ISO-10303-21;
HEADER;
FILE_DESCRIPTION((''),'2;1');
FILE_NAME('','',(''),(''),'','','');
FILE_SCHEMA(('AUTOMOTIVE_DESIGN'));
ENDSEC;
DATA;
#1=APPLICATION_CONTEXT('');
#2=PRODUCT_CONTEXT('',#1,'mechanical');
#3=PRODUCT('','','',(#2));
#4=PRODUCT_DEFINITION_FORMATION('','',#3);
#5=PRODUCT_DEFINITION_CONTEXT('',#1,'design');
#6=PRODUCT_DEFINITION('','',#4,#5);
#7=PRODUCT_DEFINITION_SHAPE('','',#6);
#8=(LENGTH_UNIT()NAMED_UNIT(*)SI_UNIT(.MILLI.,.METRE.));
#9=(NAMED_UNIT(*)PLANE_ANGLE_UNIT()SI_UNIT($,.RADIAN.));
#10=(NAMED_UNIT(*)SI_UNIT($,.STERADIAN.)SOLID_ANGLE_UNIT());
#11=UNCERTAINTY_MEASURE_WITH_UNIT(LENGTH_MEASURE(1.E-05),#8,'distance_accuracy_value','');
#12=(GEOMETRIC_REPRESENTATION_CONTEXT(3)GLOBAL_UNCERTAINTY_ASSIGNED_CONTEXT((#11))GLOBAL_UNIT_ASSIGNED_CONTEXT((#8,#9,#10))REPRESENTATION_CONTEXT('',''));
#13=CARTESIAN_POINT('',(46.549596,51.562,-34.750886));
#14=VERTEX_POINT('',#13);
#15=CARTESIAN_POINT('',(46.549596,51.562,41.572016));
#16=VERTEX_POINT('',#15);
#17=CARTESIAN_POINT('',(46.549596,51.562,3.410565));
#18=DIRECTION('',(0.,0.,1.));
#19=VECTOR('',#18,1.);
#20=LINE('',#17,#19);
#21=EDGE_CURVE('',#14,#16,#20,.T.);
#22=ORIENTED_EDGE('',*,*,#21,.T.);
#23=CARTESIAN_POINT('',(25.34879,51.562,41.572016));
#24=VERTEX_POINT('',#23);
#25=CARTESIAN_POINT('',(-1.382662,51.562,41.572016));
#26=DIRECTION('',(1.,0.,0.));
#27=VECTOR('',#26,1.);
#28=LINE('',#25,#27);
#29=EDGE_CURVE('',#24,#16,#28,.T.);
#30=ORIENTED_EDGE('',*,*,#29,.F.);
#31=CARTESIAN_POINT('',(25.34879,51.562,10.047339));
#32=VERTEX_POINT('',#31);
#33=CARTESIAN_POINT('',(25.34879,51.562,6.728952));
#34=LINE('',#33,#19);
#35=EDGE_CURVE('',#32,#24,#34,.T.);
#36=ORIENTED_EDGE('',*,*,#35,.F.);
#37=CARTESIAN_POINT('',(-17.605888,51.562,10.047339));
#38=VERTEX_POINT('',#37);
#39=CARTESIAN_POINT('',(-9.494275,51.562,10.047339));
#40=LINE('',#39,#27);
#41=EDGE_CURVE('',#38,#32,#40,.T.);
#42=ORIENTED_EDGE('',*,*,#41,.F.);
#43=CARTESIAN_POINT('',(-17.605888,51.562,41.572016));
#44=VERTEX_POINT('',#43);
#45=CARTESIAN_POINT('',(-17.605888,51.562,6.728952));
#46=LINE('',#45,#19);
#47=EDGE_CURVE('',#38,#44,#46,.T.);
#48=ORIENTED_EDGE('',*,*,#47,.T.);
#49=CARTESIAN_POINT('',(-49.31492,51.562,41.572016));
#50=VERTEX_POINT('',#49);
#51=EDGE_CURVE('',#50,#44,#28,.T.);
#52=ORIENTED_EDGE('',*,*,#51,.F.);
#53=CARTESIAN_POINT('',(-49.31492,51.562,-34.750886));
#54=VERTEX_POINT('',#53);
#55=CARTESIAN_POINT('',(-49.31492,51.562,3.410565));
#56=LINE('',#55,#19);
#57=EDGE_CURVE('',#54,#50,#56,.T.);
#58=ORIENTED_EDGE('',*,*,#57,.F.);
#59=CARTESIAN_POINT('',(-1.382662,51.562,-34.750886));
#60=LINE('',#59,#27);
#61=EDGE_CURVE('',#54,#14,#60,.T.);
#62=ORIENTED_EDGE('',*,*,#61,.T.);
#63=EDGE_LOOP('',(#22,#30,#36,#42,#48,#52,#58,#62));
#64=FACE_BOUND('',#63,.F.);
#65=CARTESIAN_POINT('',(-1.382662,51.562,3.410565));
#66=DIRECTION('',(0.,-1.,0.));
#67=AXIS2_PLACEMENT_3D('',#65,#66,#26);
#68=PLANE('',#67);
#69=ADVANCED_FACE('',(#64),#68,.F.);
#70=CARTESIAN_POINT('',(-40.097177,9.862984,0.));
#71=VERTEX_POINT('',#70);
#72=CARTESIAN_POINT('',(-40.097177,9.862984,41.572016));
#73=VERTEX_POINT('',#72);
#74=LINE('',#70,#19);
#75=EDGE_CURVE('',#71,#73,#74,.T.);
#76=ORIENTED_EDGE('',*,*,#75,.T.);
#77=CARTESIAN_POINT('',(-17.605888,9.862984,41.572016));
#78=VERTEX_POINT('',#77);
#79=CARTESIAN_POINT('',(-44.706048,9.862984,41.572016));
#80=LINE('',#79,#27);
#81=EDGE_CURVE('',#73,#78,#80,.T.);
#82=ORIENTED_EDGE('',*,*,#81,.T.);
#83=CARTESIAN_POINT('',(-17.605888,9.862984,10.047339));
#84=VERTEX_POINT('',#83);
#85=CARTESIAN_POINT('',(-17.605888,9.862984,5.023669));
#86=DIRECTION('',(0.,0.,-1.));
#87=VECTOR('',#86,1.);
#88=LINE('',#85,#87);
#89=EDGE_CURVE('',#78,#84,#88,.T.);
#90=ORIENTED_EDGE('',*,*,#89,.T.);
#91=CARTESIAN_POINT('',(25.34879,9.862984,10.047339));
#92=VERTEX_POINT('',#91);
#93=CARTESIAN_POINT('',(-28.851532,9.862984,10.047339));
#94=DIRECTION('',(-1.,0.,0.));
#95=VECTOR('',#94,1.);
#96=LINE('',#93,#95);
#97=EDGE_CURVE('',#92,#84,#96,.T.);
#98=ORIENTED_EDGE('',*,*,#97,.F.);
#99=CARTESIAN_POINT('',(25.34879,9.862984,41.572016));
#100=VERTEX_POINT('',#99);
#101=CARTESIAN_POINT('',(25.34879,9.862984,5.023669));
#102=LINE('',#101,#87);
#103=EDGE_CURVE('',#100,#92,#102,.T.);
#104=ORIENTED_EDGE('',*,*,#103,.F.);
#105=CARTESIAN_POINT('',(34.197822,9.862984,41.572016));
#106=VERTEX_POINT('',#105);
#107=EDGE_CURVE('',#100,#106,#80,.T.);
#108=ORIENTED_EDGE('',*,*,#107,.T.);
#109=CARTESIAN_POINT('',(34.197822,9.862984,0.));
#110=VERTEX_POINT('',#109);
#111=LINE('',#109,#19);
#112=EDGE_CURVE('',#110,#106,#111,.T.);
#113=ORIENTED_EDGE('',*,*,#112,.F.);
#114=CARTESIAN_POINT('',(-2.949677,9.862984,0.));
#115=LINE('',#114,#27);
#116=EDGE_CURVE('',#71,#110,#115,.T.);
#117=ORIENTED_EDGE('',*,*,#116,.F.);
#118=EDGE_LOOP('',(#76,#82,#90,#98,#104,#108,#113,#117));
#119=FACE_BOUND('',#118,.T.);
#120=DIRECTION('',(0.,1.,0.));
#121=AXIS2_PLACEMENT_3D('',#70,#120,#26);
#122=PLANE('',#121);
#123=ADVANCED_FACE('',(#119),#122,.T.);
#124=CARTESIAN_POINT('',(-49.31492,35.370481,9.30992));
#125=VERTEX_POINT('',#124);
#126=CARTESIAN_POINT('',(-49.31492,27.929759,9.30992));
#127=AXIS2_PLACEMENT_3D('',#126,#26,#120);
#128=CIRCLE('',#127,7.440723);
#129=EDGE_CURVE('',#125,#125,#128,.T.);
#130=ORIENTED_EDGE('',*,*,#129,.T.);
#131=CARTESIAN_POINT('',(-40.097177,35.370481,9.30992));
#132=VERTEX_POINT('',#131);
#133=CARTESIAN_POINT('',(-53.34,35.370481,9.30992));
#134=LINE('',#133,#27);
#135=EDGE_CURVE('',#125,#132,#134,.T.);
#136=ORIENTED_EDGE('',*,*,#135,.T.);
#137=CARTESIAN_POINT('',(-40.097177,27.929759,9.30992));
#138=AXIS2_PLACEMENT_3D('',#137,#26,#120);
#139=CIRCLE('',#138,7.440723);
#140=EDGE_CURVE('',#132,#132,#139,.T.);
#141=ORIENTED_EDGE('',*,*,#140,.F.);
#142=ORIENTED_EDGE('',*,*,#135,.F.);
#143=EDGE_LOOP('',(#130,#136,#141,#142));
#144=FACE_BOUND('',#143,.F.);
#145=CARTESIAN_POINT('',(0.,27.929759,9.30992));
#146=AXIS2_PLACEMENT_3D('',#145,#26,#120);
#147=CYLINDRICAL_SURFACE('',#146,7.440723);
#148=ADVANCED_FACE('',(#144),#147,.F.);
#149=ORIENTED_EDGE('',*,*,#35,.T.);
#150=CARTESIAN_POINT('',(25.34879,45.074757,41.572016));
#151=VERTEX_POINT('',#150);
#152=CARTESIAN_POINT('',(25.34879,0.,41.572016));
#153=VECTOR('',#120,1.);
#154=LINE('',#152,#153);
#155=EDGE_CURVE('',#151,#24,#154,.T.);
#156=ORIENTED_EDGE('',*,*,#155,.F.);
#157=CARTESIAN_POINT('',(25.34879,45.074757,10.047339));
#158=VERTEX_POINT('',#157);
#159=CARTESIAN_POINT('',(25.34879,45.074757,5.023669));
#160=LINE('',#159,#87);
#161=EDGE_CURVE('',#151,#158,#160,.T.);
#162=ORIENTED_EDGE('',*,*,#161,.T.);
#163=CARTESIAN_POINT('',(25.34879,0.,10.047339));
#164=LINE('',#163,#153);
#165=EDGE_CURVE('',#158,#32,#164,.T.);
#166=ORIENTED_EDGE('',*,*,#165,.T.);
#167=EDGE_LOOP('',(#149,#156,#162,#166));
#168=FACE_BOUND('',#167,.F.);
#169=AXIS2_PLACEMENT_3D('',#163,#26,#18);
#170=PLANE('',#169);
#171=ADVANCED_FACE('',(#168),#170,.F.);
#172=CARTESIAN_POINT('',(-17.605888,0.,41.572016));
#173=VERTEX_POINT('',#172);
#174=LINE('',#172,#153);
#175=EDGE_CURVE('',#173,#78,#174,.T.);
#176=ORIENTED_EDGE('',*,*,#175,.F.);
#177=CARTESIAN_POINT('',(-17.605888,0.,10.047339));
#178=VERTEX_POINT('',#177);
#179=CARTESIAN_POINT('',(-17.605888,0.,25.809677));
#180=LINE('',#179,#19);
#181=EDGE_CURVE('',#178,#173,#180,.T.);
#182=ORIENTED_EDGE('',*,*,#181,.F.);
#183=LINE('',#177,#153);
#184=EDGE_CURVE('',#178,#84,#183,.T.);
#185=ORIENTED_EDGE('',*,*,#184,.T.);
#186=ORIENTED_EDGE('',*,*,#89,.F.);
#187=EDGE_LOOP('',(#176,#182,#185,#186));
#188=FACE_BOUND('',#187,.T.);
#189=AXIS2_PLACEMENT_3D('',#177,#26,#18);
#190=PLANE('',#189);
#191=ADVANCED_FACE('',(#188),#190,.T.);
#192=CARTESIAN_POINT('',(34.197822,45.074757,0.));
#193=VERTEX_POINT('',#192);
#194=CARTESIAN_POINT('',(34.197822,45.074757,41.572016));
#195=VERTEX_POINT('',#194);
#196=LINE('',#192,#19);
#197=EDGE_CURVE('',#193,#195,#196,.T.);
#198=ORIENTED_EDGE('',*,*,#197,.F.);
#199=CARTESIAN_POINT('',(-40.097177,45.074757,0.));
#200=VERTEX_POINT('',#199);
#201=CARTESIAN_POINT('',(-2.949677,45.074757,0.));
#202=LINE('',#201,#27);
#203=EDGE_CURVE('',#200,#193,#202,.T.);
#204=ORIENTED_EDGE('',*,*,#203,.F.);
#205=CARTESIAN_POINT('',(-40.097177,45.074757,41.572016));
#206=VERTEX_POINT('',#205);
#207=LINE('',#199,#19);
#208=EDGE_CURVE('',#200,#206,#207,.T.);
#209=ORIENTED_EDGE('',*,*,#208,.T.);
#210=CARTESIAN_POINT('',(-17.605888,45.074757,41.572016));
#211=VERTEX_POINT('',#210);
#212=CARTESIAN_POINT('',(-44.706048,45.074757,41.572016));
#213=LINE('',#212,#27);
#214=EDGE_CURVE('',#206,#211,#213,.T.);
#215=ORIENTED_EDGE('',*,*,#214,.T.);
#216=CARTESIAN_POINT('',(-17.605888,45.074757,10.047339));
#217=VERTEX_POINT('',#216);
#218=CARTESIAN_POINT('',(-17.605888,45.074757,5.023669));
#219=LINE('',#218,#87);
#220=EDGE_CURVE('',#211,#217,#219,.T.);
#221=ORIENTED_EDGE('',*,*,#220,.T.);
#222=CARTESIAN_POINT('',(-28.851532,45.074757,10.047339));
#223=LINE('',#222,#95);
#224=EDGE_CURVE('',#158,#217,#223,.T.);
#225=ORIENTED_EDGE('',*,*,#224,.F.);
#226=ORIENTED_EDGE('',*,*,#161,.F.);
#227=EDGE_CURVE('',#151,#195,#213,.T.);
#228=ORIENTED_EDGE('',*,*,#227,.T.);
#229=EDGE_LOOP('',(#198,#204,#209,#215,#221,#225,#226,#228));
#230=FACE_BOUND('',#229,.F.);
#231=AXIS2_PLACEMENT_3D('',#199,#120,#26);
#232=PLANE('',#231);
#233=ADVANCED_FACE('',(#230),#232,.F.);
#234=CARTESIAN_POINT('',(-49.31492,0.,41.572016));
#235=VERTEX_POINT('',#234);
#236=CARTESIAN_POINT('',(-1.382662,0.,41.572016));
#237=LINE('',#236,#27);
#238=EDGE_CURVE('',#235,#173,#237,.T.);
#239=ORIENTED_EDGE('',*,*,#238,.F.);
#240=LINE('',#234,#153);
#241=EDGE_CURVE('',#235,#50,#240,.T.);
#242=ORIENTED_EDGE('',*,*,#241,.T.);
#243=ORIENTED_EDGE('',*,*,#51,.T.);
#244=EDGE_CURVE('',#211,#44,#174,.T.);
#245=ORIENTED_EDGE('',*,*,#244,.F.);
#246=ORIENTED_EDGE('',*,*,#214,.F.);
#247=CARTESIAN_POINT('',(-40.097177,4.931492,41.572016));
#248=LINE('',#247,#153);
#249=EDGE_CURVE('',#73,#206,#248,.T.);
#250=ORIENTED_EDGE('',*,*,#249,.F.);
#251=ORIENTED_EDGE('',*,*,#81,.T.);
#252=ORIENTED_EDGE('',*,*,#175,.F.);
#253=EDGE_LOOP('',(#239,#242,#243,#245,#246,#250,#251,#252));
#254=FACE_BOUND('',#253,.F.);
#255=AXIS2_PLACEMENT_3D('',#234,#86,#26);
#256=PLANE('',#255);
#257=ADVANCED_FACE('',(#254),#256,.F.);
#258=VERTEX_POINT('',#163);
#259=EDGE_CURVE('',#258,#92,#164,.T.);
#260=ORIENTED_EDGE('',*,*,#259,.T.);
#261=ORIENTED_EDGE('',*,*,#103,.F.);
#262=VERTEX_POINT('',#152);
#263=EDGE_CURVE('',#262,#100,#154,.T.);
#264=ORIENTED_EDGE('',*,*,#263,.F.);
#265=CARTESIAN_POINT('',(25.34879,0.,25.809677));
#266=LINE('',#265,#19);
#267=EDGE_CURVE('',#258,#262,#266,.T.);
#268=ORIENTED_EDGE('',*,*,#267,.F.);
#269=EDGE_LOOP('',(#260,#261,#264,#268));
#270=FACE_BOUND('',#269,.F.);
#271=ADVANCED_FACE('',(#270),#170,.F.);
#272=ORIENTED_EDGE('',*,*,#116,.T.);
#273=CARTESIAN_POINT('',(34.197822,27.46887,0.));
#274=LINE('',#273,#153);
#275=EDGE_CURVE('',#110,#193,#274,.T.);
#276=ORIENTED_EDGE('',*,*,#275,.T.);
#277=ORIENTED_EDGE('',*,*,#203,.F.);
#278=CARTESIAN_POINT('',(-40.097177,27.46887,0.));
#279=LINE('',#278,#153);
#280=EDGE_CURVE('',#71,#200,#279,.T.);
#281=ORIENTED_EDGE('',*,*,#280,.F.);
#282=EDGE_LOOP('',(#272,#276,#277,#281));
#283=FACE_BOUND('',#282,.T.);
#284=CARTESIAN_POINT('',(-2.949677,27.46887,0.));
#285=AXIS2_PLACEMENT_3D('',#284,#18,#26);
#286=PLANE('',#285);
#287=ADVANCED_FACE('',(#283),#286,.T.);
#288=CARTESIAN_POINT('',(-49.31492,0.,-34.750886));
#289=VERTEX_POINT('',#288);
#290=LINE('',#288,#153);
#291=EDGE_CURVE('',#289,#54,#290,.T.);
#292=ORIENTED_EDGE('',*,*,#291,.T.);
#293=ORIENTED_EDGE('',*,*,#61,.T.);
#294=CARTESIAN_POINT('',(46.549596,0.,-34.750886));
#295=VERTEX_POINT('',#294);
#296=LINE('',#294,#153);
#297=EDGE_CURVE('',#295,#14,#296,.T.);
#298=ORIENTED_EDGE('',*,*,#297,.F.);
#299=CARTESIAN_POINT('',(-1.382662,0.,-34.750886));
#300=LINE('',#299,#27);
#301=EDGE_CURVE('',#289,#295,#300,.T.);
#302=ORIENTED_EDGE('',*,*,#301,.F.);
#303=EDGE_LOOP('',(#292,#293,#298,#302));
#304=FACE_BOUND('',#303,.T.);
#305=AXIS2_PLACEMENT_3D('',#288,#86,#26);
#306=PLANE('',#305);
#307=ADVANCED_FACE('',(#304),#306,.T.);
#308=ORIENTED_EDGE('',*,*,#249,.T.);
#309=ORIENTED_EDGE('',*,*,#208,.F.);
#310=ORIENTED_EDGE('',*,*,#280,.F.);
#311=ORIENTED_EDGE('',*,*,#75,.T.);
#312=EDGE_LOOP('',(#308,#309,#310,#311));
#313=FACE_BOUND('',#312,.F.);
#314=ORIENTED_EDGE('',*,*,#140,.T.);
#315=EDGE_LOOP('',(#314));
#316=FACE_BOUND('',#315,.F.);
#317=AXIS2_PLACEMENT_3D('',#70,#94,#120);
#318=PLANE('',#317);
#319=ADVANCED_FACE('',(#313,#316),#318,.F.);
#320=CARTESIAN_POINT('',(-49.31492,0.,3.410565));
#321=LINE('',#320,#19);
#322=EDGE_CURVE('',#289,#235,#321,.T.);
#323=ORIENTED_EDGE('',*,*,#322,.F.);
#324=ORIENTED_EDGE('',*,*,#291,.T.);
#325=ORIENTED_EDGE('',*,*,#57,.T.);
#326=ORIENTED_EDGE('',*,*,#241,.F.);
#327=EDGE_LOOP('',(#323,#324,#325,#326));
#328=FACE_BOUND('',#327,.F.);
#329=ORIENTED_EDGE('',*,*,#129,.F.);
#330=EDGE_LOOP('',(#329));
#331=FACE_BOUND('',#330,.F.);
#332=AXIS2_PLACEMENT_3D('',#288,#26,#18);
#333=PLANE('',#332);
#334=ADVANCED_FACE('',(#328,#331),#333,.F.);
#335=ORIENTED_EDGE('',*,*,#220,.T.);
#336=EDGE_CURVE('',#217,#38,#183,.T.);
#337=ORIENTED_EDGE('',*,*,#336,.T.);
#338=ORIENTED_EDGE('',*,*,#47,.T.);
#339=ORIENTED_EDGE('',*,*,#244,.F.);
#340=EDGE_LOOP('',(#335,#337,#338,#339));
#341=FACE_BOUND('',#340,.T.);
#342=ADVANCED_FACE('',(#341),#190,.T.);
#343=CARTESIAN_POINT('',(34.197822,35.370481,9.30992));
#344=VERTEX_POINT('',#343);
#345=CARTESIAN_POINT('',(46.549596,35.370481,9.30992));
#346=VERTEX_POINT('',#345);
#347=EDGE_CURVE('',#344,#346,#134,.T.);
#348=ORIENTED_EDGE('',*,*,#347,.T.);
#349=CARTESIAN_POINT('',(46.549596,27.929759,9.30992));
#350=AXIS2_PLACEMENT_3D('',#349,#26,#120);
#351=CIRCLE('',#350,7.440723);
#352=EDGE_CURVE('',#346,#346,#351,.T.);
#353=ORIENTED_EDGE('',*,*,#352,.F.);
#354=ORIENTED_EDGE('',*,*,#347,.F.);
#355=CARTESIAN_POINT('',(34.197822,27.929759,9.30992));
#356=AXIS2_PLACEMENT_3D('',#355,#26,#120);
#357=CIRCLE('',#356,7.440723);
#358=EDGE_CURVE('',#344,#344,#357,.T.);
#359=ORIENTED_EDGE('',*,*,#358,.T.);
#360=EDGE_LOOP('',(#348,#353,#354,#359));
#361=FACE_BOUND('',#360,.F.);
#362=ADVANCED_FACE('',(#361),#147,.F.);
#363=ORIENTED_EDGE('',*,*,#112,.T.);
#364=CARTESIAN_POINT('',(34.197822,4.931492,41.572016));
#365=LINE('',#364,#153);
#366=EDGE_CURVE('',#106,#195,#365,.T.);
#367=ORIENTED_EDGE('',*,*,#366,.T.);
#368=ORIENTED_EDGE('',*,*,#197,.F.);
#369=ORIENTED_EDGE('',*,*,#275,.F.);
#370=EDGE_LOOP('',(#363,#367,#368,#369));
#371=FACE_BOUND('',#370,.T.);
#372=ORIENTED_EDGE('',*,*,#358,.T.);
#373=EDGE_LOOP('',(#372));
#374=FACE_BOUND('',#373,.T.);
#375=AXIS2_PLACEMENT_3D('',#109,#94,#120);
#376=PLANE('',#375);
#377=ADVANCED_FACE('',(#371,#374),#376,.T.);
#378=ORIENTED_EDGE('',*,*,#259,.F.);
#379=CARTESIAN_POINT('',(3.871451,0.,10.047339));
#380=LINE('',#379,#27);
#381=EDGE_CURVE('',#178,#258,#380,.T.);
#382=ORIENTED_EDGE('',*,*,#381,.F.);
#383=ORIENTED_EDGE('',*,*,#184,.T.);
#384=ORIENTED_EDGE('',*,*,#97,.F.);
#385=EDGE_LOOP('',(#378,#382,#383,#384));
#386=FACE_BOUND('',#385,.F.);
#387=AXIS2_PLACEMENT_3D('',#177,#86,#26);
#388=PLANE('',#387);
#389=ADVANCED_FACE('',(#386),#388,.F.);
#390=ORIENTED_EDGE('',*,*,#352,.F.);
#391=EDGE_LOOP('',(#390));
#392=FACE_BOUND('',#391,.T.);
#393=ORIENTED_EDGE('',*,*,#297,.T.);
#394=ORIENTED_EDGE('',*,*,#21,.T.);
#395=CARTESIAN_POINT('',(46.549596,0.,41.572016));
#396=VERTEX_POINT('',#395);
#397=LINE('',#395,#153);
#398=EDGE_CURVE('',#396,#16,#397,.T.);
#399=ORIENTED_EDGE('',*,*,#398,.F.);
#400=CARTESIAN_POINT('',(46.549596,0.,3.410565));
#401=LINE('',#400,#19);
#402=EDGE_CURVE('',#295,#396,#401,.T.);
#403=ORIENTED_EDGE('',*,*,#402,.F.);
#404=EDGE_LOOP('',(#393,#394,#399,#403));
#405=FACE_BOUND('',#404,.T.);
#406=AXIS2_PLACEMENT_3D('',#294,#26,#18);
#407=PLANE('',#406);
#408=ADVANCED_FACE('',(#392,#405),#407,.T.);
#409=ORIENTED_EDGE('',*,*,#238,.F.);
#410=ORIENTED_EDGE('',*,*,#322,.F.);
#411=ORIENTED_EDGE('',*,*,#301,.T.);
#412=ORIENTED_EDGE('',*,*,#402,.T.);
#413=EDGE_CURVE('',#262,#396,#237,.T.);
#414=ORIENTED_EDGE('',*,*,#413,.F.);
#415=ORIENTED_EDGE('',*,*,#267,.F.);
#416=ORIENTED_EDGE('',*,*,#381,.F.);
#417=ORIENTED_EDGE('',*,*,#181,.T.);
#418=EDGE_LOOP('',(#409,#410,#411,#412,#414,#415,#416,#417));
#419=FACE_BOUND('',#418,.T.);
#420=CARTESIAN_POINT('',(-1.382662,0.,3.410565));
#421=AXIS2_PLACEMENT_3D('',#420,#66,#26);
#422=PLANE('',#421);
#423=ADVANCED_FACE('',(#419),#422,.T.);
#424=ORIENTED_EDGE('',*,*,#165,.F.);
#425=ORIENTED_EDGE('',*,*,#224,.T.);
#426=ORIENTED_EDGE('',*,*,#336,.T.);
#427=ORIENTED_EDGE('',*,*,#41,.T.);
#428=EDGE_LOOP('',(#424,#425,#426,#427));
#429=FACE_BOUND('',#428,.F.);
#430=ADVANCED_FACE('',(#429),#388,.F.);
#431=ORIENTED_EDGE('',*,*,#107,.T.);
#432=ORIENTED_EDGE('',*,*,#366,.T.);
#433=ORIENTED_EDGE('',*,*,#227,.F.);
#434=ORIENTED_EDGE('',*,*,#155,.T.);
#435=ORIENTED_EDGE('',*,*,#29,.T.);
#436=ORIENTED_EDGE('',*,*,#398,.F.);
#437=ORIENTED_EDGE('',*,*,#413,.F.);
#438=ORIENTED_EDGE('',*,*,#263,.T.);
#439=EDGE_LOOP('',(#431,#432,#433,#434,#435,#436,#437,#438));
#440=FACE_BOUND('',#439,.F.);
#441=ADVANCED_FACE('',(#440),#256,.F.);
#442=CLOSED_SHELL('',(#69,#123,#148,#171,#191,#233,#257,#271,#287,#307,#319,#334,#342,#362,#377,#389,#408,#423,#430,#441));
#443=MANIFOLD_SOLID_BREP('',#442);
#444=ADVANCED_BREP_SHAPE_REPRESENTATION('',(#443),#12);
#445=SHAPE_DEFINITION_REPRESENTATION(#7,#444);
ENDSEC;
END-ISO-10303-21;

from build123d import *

# Parameters (mm, degrees)
F0_W     = 95.8645157516
F0_H     = 76.322901994
F1_DEPTH = 51.562
F2_W     = 74.2949992418
F2_H     = 35.2117735893
F3_DEPTH = 73.152
F4_R     = 7.4407227367
F5_DEPTH = 53.34
F6_W     = 42.9546777159
F6_H     = 31.5246768296
F7_DEPTH = 57.912


with BuildPart() as f1:
    # F0 (on Front) → F1 (new body)
    with BuildSketch(Plane.XZ):
        with Locations((-1.3826619834, 3.4105647355)):
            Rectangle(F0_W, F0_H)
    extrude(amount=-F1_DEPTH)

    # F2 (on Top) → F3 (cut)
    with BuildSketch(Plane.XY):
        with Locations((-2.9496774077, 27.4688703939)):
            Rectangle(F2_W, F2_H)
    extrude(amount=F3_DEPTH, mode=Mode.SUBTRACT)

    # F4 (on Right) → F5 (cut, symmetric)
    with BuildSketch(Plane.YZ):
        with Locations((27.929758653, 9.309919551)):
            Circle(F4_R)
    extrude(amount=F5_DEPTH, both=True, mode=Mode.SUBTRACT)

    # F6 (on face) → F7 (cut)
    with BuildSketch(Plane.XZ):
        with Locations((3.871451132, 25.8096773177)):
            Rectangle(F6_W, F6_H)
    extrude(amount=-F7_DEPTH, mode=Mode.SUBTRACT)


solid = f1.part
